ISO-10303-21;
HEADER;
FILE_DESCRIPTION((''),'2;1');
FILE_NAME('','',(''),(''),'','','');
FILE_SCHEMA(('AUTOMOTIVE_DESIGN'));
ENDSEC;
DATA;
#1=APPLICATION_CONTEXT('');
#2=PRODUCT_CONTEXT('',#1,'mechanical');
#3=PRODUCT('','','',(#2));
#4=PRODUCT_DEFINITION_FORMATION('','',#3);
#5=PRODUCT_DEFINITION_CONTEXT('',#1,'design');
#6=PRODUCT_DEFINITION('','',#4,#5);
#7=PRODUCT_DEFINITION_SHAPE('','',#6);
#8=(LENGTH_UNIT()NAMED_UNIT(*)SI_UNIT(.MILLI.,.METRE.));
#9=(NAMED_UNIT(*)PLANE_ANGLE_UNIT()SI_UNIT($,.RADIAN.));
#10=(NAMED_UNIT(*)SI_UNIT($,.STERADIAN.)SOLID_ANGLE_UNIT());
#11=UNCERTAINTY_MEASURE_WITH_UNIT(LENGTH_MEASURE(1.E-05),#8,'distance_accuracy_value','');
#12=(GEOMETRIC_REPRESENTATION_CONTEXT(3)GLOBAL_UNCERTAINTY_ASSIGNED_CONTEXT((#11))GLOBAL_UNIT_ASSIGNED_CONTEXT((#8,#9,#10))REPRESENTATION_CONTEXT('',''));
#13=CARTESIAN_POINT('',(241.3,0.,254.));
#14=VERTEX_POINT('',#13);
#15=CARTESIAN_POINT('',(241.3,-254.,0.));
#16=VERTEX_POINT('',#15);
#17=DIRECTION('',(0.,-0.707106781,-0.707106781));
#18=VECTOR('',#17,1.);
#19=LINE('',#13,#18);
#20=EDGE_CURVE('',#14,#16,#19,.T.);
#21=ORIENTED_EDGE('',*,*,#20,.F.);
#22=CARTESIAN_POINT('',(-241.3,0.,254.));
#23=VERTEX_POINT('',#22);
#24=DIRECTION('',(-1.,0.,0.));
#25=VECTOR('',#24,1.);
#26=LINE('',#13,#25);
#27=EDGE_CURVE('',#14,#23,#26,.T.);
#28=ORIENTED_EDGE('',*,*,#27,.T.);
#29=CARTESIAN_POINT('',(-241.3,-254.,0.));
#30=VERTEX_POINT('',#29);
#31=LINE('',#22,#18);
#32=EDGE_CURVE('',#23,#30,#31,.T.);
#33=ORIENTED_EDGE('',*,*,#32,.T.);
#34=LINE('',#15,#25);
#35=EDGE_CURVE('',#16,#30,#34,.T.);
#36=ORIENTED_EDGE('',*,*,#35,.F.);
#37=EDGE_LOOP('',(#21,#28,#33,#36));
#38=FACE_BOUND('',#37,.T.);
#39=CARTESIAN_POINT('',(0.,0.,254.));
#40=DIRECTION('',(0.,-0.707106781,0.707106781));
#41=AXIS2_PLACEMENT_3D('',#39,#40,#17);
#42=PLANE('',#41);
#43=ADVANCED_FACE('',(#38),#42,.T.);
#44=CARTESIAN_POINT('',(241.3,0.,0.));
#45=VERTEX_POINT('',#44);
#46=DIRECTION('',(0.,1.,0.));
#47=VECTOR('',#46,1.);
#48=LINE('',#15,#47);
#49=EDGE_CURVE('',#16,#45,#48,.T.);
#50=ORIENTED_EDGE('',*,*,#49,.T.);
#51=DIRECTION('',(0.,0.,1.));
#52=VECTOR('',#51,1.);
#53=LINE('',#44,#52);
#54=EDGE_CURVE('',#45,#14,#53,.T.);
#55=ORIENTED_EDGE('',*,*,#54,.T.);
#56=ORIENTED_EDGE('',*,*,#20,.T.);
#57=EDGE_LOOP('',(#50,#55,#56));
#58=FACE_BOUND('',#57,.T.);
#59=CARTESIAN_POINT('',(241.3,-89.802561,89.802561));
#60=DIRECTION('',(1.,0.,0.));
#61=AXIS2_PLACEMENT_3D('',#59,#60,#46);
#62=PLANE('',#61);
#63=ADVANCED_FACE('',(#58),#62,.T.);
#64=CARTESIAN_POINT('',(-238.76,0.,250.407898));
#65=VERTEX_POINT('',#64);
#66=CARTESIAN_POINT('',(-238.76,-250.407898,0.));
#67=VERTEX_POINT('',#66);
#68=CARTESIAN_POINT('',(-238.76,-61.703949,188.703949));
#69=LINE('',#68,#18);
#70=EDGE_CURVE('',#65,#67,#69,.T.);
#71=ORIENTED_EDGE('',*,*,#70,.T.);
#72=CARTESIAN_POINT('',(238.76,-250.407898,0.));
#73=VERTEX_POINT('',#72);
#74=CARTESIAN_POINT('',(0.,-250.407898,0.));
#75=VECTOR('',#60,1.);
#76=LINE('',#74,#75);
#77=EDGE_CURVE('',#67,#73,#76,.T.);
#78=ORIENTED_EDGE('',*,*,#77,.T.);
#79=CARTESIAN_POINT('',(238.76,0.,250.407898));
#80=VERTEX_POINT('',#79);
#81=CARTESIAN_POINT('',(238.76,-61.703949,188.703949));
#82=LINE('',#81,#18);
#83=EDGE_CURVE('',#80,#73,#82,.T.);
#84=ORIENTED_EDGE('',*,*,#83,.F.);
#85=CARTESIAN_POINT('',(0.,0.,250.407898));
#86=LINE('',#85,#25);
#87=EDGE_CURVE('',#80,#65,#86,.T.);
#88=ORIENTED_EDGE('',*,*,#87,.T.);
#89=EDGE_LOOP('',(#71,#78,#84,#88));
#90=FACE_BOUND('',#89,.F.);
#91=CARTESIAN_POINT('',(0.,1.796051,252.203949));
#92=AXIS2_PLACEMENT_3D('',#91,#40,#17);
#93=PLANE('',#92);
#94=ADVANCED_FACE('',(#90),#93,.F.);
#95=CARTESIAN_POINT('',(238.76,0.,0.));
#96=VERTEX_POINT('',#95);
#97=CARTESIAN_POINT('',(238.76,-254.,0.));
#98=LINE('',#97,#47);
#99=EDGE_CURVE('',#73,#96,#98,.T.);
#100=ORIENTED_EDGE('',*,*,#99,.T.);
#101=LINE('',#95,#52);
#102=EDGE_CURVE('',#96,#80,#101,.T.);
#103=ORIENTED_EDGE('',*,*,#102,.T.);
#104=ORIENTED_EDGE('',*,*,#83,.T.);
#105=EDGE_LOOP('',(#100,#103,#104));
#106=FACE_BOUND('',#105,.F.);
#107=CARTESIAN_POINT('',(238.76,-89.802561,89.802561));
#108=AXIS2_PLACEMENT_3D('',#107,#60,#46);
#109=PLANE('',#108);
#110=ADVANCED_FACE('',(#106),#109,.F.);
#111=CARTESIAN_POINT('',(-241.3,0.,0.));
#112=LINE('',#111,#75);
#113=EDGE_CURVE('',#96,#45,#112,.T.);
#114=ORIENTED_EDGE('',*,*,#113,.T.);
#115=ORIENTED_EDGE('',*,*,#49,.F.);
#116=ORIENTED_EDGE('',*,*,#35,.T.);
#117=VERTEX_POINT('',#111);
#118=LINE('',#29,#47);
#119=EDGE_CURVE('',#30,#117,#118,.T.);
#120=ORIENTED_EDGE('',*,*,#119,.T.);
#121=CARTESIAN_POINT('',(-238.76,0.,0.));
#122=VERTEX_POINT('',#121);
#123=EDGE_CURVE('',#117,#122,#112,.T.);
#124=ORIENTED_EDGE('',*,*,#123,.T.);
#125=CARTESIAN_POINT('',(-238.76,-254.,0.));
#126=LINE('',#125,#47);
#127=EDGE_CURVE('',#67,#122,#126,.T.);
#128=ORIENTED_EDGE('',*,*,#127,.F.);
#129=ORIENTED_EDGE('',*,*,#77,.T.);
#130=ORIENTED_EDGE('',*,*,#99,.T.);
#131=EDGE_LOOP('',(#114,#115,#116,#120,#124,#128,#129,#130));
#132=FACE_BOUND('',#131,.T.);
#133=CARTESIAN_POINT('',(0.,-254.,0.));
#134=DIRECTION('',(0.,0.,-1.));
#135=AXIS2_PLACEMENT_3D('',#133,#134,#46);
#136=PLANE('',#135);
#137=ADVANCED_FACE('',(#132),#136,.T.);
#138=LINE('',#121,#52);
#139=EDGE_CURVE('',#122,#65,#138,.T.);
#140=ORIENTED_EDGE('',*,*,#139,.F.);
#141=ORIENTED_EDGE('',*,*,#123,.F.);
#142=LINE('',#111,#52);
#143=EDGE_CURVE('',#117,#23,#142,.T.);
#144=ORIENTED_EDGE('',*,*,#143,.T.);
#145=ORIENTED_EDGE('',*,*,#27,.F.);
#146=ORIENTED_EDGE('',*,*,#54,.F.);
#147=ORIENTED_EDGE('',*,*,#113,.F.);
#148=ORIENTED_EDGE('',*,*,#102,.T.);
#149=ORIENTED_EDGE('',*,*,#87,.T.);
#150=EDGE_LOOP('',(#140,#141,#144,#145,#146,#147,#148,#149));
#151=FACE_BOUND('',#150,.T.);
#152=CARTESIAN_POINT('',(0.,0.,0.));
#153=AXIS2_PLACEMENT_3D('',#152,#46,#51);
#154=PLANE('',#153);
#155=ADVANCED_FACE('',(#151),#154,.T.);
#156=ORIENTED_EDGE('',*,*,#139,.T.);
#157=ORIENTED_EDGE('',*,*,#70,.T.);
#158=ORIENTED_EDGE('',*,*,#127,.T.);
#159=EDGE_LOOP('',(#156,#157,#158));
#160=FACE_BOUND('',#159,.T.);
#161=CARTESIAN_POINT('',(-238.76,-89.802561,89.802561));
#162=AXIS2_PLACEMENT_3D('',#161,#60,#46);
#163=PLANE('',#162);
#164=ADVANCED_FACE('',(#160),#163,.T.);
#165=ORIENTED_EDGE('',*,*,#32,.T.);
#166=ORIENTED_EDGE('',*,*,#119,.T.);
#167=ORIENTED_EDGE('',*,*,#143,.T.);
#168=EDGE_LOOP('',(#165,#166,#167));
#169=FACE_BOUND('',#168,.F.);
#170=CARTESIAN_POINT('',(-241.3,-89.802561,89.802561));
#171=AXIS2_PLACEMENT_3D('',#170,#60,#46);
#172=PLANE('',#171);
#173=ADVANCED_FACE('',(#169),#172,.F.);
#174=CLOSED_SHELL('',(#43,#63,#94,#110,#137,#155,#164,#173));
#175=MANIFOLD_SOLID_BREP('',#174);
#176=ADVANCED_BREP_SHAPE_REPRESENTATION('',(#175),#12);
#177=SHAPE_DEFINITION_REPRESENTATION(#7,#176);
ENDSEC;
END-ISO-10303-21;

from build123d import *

# Parameters (mm, degrees)
F1_DEPTH = 241.3
F2_T     = -2.54


with BuildPart() as f1:
    # F0 (on Right) → F1 (new body, symmetric)
    with BuildSketch(Plane.YZ):
        Polygon((-254, 0), (0, 0), (0, 254), align=None)
    extrude(amount=F1_DEPTH, both=True)

    # F2
    f2_openings = [f1.faces().sort_by_distance(p)[0] for p in [
        (0, 0, 127),
        (0, -127, 0),
    ]]
    offset(amount=F2_T, openings=f2_openings)


solid = f1.part
